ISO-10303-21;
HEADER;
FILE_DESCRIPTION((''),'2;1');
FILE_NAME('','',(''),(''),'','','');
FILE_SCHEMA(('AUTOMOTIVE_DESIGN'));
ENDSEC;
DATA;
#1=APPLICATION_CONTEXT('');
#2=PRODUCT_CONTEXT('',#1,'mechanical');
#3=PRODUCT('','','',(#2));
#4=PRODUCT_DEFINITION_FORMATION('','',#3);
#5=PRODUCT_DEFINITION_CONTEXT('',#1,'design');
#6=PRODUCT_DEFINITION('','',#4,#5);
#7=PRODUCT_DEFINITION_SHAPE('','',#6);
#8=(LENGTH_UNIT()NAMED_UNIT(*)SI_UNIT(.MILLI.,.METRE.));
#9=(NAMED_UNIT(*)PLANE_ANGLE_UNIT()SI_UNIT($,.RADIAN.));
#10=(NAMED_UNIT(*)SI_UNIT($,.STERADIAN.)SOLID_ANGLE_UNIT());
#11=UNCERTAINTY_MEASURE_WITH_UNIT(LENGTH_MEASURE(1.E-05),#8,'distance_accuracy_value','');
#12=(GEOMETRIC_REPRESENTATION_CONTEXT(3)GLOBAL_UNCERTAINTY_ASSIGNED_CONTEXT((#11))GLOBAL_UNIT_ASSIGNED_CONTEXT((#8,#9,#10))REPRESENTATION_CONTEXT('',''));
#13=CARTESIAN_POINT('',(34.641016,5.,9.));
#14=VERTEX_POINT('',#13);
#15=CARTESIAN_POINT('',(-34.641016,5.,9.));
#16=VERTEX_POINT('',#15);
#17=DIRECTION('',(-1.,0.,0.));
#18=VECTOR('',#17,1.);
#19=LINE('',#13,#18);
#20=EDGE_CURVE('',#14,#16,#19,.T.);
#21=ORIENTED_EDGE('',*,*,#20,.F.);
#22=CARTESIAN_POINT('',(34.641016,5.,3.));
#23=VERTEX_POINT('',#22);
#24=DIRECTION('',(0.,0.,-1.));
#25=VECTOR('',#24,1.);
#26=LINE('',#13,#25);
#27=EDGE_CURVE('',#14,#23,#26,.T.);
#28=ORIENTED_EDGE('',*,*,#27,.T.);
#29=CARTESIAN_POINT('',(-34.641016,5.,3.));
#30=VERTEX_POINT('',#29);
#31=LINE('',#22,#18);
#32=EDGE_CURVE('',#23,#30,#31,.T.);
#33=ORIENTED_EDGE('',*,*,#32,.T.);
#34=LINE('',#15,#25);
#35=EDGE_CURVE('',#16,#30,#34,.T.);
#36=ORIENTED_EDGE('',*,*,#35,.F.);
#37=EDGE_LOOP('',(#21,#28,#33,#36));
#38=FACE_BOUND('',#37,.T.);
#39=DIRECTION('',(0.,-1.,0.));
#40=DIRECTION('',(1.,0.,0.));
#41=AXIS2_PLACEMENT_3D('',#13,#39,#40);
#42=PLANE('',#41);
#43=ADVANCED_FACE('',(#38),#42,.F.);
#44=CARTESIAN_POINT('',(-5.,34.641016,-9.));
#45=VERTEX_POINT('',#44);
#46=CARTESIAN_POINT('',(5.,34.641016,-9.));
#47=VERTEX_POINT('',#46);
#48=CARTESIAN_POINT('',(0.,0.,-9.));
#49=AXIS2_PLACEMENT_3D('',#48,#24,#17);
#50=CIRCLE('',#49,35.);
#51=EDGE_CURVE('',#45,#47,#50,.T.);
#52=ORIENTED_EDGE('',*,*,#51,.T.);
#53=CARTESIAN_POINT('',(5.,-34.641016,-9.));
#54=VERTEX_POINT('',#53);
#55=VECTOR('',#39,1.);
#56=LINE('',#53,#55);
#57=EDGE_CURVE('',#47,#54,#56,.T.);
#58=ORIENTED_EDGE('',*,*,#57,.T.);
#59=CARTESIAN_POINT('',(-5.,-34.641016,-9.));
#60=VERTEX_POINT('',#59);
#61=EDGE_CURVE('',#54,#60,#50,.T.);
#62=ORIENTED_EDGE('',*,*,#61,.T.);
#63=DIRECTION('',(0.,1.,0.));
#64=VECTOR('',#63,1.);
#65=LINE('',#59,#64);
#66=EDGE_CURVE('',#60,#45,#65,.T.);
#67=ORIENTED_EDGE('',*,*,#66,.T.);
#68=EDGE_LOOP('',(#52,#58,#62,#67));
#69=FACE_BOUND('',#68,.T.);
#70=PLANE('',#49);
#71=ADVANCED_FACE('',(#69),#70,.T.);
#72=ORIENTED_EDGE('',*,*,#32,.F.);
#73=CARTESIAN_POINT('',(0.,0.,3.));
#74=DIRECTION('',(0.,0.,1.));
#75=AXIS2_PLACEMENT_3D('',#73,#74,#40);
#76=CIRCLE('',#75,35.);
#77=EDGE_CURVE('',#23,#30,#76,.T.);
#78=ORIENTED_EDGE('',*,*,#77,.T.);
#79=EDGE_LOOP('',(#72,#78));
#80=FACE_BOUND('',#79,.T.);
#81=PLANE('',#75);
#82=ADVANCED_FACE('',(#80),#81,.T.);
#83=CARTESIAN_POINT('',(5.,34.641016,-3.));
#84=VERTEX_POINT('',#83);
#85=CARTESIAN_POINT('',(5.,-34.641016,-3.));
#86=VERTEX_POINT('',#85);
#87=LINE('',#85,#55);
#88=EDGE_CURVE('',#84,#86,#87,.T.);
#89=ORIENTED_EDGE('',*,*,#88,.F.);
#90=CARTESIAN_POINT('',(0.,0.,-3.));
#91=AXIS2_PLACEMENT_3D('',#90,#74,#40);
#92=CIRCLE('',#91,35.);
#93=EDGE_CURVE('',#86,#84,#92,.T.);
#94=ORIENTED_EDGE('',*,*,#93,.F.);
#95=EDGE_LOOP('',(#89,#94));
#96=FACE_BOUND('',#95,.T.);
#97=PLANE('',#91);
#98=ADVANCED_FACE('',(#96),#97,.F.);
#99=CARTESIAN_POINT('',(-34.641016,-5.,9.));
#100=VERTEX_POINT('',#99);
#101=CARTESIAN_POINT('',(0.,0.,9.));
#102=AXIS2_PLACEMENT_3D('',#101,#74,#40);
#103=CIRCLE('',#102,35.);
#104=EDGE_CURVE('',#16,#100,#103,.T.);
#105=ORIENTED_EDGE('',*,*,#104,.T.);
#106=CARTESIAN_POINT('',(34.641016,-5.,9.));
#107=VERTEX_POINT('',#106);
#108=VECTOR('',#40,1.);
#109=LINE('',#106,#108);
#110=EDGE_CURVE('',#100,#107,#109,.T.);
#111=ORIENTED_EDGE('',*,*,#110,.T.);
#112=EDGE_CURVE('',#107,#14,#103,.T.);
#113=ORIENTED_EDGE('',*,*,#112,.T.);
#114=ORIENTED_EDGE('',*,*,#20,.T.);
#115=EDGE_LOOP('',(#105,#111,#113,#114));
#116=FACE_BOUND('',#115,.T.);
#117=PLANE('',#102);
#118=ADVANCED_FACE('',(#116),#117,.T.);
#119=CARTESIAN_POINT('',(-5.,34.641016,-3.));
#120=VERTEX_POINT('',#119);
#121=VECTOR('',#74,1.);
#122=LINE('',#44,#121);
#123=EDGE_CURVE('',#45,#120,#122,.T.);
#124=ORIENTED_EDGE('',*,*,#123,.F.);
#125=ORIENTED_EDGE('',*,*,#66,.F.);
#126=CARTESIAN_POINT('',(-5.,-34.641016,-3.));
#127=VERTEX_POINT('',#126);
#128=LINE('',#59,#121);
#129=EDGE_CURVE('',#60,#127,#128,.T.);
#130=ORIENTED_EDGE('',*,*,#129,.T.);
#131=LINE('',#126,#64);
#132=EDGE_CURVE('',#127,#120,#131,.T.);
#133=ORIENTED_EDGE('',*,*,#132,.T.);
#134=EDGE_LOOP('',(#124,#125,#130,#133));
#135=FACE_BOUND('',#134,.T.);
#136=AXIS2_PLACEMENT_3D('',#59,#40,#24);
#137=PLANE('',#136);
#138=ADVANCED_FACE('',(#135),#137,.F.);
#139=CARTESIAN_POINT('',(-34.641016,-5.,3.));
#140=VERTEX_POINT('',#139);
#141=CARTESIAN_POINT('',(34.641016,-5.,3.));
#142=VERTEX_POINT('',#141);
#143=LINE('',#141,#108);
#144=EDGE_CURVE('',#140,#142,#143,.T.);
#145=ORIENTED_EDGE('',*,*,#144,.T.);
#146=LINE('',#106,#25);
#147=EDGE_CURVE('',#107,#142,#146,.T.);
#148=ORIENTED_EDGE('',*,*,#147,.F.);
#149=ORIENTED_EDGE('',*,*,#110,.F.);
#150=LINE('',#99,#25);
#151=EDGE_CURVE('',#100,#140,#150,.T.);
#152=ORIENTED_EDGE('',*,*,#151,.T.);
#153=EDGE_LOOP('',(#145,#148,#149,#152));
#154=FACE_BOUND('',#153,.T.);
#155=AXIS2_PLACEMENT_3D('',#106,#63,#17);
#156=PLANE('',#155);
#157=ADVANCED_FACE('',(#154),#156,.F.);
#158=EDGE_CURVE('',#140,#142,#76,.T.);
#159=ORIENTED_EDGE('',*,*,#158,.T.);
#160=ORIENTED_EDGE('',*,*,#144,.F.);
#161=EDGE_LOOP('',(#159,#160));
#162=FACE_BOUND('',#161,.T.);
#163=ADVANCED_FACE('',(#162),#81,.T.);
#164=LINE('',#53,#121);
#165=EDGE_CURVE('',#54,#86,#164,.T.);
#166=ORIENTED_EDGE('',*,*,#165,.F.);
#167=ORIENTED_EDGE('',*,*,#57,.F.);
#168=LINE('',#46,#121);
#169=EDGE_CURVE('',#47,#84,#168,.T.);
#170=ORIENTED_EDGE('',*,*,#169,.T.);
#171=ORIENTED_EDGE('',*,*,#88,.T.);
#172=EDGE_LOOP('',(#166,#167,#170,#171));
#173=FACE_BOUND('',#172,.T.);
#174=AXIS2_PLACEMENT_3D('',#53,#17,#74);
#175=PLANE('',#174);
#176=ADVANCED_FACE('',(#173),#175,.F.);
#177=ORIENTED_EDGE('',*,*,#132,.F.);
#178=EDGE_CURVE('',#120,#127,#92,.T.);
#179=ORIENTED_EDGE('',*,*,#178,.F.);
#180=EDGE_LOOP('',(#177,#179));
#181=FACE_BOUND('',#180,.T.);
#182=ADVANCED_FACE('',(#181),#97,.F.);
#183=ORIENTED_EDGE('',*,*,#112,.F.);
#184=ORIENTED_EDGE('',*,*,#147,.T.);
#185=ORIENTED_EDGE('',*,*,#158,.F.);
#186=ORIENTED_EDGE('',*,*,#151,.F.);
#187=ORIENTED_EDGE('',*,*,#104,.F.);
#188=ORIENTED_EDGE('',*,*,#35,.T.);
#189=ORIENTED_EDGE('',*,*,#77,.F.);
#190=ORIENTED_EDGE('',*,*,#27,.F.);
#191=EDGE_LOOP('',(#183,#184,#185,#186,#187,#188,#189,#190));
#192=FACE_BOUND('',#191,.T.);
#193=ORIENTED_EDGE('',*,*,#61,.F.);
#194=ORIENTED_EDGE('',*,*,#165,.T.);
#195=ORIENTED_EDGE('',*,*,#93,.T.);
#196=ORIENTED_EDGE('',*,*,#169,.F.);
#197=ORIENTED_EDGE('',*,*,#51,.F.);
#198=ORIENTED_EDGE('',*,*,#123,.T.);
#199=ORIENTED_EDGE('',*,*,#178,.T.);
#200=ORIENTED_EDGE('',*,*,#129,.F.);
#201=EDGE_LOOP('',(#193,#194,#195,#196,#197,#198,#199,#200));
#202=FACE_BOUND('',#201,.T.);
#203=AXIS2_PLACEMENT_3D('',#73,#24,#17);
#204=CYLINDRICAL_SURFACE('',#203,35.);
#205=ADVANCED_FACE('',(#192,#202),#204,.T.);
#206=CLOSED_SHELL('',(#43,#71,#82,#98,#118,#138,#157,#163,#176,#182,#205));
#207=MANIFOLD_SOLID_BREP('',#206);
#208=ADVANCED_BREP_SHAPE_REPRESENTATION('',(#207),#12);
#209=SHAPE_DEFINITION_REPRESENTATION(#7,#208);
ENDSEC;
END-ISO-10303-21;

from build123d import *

# Parameters (mm, degrees)
SKETCH1_R           = 35
BOSS_EXTRUDE1_DEPTH = 3
BOSS_EXTRUDE2_START = 6
BOSS_EXTRUDE2_DEPTH = 6
BOSS_EXTRUDE3_DEPTH = 6


with BuildPart() as part:
    # Sketch1 → Boss-Extrude1 (new, symmetric)
    with BuildSketch(Plane.XY):
        Circle(SKETCH1_R)
    extrude(amount=BOSS_EXTRUDE1_DEPTH, both=True)

    # Sketch2 → Boss-Extrude2 (add)
    with BuildSketch(Plane.XY.offset(3).offset(BOSS_EXTRUDE2_START)):
        with BuildLine():
            Line((34.641016151, 5), (-34.641016151, 5))
            ThreePointArc((-34.641016151, 5), (-35, 0), (-34.641016151, -5))
            Line((-34.641016151, -5), (34.641016151, -5))
            ThreePointArc((34.641016151, -5), (35, 0), (34.641016151, 5))
        make_face()
    extrude(amount=-BOSS_EXTRUDE2_DEPTH)

    # Sketch3 → Boss-Extrude3 (add)
    with BuildSketch(Plane(origin=(0, 0, -3), x_dir=(-1, 0, 0), z_dir=(0, 0, -1))):
        with BuildLine():
            Line((5, -34.641016151), (5, 34.641016151))
            ThreePointArc((5, 34.641016151), (0, 35), (-5, 34.641016151))
            Line((-5, 34.641016151), (-5, -34.641016151))
            ThreePointArc((-5, -34.641016151), (0, -35), (5, -34.641016151))
        make_face()
    extrude(amount=BOSS_EXTRUDE3_DEPTH)


solid = part.part
